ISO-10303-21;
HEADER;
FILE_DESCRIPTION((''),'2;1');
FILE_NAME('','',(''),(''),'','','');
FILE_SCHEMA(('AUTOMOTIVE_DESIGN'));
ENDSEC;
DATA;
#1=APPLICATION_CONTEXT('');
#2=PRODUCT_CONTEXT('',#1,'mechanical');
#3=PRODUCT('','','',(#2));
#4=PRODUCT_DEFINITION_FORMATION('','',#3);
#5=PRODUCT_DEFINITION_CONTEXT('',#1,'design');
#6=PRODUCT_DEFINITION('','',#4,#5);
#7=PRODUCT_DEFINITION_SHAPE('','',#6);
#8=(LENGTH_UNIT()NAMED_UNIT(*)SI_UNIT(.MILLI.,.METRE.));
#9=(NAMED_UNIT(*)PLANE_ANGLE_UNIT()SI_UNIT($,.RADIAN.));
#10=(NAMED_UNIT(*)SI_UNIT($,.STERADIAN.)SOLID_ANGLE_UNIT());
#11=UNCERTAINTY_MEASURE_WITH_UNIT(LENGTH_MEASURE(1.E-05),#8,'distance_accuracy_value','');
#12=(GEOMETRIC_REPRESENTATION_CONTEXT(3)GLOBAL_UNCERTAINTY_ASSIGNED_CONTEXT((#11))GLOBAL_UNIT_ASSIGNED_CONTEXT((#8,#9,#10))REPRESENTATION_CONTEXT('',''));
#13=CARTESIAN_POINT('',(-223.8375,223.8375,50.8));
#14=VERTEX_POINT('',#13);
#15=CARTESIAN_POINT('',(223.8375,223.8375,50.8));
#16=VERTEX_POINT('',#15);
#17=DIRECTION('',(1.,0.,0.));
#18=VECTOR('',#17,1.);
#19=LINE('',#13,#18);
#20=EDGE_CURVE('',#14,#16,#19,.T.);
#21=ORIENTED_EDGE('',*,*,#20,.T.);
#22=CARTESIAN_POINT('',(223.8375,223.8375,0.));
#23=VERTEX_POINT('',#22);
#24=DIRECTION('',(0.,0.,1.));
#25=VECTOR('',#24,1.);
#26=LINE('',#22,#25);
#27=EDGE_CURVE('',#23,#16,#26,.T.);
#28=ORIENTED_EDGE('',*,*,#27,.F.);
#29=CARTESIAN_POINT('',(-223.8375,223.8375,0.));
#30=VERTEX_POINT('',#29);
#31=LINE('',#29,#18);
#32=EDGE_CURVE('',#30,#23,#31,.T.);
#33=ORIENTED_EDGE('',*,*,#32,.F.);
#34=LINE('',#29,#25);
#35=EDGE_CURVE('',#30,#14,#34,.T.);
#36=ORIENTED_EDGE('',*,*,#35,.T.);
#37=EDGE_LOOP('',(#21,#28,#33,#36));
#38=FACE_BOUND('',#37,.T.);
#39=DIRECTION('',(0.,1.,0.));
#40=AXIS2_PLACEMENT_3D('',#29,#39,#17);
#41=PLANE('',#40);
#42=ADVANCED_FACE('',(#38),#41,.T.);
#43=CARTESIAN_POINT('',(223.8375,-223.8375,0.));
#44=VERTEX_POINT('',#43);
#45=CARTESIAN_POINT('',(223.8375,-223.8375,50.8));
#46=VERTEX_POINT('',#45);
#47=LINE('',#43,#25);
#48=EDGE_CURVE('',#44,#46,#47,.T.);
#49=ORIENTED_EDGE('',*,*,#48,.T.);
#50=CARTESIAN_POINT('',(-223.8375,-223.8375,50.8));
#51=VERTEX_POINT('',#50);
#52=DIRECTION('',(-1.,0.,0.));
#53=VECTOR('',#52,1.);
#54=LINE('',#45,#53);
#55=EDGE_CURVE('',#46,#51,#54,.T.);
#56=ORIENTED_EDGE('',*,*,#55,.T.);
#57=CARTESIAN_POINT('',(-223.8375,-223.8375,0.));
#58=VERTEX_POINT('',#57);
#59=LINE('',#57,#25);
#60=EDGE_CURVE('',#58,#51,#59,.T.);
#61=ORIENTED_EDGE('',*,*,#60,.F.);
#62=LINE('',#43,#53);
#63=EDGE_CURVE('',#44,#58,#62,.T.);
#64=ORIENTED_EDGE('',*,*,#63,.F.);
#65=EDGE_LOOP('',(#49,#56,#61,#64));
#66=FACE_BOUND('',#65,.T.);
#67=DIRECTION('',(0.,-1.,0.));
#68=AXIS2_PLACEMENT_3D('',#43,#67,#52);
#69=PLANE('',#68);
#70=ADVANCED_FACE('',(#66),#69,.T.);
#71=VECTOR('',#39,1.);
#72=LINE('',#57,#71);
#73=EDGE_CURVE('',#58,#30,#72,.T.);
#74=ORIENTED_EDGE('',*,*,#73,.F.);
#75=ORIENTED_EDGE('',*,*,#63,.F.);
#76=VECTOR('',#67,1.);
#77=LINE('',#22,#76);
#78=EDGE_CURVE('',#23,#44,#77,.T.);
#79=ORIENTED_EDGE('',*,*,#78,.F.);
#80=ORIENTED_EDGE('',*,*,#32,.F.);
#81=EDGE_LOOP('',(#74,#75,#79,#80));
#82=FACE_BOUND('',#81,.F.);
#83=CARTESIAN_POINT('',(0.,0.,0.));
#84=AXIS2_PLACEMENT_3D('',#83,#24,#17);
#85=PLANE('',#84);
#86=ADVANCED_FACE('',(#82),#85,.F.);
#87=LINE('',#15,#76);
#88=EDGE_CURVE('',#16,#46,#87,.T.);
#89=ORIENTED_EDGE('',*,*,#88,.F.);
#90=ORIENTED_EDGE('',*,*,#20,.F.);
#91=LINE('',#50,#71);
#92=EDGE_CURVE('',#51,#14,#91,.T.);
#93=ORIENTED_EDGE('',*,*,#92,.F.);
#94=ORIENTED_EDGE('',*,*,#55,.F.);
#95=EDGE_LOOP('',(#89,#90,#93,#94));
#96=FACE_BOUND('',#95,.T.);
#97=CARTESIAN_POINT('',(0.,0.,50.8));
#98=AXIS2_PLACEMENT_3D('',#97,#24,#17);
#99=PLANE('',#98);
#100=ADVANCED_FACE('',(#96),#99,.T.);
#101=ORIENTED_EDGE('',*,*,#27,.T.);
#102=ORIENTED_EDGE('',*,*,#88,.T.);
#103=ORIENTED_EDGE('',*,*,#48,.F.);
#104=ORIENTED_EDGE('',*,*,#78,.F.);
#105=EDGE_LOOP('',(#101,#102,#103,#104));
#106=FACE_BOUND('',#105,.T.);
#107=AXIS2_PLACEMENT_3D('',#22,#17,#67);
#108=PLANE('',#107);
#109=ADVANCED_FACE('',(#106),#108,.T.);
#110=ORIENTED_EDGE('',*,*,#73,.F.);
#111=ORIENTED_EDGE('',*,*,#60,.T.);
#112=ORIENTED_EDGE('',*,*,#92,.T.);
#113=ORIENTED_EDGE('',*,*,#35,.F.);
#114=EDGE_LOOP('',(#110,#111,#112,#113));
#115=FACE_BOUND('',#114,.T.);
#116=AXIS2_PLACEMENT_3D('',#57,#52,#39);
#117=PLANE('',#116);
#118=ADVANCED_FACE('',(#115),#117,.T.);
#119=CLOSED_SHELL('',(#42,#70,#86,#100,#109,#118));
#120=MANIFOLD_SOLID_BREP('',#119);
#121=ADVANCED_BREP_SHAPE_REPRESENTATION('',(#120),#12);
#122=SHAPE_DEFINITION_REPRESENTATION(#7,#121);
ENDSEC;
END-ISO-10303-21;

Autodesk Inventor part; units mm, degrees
ref_plane "YZ Plane" through (0, 0, 0) normal (1, 0, 0) x (0, 1, 0)
ref_plane "XZ Plane" through (0, 0, 0) normal (0, 1, 0) x (-1, 0, 0)
ref_plane "XY Plane" through (0, 0, 0) normal (0, 0, 1) x (1, 0, 0)
sketch "Sketch1" plane through (0, 0, 0) normal (0, 0, 1) x (1, 0, 0)
  line L0 (-223.8375, 223.8375) -> (223.8375, 223.8375)
  line L1 (223.8375, 223.8375) -> (223.8375, -223.8375)
  line L2 (223.8375, -223.8375) -> (-223.8375, -223.8375)
  line L3 (-223.8375, -223.8375) -> (-223.8375, 223.8375)
  line L4 (-223.8375, 223.8375) -> (223.8375, -223.8375) construction
  line L5 (223.8375, 223.8375) -> (-223.8375, -223.8375) construction
  point P0 (0, 0)
  dimension "d0" = 447.675
  dimension "d1" = 447.675
extrude "Extrusion1" add sketch "Sketch1" along normal blind 50.8
properties part number "8-1x-17.625x17.625x2 as paver" material "Limestone"
